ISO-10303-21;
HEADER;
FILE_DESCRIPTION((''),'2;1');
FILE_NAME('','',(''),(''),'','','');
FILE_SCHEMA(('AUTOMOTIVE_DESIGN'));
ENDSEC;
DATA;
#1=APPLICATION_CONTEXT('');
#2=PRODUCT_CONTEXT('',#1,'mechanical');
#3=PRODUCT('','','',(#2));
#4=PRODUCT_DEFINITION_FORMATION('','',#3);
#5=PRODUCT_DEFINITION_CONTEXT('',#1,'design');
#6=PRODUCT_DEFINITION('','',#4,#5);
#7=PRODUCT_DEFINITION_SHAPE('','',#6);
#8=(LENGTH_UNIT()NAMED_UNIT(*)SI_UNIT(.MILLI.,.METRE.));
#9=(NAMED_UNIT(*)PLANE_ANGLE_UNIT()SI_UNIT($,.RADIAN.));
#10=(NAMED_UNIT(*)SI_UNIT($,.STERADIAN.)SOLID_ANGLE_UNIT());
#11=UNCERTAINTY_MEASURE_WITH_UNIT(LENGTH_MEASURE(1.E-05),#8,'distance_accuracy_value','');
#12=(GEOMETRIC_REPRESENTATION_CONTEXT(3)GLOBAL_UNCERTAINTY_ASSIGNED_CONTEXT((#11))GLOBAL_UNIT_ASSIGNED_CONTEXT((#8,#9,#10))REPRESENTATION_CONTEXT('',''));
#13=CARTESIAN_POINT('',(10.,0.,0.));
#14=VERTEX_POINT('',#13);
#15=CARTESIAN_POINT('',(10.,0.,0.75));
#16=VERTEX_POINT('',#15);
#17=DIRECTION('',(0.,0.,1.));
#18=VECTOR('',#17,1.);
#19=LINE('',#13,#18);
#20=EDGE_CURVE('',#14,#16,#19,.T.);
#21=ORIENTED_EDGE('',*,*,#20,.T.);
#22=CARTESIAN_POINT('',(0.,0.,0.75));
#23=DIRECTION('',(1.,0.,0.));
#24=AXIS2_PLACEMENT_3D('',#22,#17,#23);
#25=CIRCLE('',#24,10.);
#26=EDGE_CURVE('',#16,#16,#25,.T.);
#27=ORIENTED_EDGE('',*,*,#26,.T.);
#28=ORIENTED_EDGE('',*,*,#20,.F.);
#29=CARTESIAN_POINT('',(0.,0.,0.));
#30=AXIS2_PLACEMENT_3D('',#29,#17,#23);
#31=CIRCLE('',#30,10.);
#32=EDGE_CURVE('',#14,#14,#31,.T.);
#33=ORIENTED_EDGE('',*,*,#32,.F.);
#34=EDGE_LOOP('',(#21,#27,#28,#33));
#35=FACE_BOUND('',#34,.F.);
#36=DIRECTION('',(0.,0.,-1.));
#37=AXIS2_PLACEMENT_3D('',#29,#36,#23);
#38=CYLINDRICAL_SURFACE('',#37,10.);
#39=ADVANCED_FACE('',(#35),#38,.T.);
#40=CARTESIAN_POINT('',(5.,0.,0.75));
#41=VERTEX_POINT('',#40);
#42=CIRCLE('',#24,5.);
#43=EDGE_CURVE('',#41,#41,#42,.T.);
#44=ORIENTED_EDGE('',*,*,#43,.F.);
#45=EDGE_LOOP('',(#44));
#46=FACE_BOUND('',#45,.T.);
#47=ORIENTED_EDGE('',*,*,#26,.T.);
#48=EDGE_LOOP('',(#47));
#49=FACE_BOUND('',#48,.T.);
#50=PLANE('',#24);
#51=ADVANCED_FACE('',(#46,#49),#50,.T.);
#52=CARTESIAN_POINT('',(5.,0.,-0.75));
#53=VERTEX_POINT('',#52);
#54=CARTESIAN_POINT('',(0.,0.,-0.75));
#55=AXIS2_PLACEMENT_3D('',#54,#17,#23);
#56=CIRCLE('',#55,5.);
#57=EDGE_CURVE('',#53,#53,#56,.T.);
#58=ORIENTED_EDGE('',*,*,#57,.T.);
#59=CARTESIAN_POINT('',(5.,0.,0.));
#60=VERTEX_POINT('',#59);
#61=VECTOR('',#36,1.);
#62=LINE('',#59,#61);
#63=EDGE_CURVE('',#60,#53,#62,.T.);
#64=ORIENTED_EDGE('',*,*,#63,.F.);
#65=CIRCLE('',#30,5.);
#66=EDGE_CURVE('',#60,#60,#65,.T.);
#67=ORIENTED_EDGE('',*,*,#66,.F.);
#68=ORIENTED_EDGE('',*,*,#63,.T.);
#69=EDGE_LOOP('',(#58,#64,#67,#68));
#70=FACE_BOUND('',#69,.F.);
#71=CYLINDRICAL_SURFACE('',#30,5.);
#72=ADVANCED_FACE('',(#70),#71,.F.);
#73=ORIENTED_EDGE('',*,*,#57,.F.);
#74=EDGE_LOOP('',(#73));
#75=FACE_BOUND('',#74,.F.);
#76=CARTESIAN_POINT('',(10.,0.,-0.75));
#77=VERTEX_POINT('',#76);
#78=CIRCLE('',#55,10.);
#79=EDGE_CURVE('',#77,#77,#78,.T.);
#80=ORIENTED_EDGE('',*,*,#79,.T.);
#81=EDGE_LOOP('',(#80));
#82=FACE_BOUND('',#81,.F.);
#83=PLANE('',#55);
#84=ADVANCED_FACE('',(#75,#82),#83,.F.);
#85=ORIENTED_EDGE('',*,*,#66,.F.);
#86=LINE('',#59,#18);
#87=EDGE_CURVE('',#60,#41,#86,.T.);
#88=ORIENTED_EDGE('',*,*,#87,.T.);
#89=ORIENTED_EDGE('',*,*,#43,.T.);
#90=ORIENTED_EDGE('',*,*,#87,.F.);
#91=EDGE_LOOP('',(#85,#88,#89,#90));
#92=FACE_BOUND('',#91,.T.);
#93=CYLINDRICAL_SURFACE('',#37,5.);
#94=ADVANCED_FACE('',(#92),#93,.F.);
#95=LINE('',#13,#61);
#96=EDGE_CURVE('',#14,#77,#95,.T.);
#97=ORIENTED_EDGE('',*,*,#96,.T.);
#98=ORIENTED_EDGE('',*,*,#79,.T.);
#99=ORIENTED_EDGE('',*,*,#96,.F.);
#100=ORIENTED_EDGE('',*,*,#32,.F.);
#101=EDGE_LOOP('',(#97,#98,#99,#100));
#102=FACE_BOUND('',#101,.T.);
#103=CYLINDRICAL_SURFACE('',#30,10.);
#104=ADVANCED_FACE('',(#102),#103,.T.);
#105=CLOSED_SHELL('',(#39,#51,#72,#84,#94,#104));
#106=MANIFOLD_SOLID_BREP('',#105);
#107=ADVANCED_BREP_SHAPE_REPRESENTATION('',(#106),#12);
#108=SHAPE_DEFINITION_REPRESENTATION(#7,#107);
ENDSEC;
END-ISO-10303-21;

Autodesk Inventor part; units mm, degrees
ref_plane "YZ Plane" through (0, 0, 0) normal (1, 0, 0) x (0, 1, 0)
ref_plane "XZ Plane" through (0, 0, 0) normal (0, 1, 0) x (-1, 0, 0)
ref_plane "XY Plane" through (0, 0, 0) normal (0, 0, 1) x (1, 0, 0)
sketch "Sketch1" plane through (0, 0, 0) normal (0, 0, 1) x (1, 0, 0)
  circle A0 centre (0, 0) radius 10
  circle A1 centre (0, 0) radius 5
  dimension "d0" = 20
  dimension "d1" = 10
extrude "Extrusion1" add sketch "Sketch1" along normal mid plane 1.5
properties material "Rubber, Silicone"
